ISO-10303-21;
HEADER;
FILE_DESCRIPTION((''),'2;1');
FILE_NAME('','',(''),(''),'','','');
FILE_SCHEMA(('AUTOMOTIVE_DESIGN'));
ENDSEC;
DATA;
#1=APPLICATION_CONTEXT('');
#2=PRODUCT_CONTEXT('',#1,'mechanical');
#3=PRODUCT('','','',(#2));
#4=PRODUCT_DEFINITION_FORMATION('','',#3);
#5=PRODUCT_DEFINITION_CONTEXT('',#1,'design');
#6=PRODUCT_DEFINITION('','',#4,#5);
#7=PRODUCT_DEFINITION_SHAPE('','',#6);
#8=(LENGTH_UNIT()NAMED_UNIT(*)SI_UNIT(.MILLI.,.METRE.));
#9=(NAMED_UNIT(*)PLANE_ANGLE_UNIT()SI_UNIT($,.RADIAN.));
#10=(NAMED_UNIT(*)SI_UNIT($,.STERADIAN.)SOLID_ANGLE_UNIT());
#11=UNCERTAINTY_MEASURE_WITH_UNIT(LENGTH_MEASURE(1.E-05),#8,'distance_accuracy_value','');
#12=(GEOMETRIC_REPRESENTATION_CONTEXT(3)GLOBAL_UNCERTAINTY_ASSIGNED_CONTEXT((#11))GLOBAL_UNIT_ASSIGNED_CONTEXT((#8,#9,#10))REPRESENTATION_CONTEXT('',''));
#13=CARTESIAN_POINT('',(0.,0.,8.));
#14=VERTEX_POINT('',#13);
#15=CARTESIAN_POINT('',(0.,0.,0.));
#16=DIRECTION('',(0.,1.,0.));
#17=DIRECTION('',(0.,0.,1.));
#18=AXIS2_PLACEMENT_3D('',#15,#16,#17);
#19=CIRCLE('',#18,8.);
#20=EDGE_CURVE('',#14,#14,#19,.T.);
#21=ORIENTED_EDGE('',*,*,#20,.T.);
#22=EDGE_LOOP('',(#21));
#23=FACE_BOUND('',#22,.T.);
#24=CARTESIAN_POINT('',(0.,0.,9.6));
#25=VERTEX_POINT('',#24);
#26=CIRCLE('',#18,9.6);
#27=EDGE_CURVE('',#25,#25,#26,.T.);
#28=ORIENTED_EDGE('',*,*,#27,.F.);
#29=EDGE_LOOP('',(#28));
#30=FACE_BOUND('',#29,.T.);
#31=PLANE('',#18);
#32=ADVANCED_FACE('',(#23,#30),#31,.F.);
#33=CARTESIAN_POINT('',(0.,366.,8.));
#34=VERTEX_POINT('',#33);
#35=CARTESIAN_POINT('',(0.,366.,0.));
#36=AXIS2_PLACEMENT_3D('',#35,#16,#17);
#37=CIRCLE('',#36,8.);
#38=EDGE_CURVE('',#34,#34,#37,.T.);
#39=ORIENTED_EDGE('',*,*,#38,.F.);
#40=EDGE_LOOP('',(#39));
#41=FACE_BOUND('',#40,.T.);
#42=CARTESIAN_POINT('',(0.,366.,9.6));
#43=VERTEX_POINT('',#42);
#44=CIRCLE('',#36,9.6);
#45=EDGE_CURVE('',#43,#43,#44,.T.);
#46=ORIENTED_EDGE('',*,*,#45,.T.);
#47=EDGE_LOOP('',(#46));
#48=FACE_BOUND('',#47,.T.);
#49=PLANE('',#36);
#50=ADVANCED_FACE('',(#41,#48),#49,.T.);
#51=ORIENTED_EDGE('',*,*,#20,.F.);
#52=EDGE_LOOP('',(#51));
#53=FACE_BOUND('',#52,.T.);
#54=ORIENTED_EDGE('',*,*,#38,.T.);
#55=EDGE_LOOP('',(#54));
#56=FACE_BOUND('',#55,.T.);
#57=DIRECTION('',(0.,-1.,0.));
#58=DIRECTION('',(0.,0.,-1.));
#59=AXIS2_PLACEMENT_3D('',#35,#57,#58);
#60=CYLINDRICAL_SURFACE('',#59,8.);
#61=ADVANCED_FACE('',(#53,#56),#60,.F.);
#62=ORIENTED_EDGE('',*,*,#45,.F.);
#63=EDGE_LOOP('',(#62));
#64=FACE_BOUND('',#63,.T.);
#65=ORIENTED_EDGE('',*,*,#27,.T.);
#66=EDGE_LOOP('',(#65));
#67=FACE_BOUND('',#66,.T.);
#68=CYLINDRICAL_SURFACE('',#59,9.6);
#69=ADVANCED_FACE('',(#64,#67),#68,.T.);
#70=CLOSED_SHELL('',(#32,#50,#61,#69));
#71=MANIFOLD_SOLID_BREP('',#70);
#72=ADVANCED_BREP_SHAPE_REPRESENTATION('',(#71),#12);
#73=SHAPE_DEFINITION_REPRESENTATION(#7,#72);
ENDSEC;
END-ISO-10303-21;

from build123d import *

# Parameters (mm, degrees)
SKETCH1_R           = 9.6
SKETCH1_R_2         = 8
BOSS_EXTRUDE1_DEPTH = 366


with BuildPart() as part:
    # Sketch1 → Boss-Extrude1 (new body)
    with BuildSketch(Plane(origin=(0, 0, 0), x_dir=(1, 0, 0), z_dir=(0, 1, 0))):
        with Locations(Location((0, 0, 0), (0, 0, 270))):
            Circle(SKETCH1_R)
        with Locations(Location((0, 0, 0), (0, 0, 270))):
            Circle(SKETCH1_R_2, mode=Mode.SUBTRACT)
    extrude(amount=BOSS_EXTRUDE1_DEPTH)


solid = part.part
